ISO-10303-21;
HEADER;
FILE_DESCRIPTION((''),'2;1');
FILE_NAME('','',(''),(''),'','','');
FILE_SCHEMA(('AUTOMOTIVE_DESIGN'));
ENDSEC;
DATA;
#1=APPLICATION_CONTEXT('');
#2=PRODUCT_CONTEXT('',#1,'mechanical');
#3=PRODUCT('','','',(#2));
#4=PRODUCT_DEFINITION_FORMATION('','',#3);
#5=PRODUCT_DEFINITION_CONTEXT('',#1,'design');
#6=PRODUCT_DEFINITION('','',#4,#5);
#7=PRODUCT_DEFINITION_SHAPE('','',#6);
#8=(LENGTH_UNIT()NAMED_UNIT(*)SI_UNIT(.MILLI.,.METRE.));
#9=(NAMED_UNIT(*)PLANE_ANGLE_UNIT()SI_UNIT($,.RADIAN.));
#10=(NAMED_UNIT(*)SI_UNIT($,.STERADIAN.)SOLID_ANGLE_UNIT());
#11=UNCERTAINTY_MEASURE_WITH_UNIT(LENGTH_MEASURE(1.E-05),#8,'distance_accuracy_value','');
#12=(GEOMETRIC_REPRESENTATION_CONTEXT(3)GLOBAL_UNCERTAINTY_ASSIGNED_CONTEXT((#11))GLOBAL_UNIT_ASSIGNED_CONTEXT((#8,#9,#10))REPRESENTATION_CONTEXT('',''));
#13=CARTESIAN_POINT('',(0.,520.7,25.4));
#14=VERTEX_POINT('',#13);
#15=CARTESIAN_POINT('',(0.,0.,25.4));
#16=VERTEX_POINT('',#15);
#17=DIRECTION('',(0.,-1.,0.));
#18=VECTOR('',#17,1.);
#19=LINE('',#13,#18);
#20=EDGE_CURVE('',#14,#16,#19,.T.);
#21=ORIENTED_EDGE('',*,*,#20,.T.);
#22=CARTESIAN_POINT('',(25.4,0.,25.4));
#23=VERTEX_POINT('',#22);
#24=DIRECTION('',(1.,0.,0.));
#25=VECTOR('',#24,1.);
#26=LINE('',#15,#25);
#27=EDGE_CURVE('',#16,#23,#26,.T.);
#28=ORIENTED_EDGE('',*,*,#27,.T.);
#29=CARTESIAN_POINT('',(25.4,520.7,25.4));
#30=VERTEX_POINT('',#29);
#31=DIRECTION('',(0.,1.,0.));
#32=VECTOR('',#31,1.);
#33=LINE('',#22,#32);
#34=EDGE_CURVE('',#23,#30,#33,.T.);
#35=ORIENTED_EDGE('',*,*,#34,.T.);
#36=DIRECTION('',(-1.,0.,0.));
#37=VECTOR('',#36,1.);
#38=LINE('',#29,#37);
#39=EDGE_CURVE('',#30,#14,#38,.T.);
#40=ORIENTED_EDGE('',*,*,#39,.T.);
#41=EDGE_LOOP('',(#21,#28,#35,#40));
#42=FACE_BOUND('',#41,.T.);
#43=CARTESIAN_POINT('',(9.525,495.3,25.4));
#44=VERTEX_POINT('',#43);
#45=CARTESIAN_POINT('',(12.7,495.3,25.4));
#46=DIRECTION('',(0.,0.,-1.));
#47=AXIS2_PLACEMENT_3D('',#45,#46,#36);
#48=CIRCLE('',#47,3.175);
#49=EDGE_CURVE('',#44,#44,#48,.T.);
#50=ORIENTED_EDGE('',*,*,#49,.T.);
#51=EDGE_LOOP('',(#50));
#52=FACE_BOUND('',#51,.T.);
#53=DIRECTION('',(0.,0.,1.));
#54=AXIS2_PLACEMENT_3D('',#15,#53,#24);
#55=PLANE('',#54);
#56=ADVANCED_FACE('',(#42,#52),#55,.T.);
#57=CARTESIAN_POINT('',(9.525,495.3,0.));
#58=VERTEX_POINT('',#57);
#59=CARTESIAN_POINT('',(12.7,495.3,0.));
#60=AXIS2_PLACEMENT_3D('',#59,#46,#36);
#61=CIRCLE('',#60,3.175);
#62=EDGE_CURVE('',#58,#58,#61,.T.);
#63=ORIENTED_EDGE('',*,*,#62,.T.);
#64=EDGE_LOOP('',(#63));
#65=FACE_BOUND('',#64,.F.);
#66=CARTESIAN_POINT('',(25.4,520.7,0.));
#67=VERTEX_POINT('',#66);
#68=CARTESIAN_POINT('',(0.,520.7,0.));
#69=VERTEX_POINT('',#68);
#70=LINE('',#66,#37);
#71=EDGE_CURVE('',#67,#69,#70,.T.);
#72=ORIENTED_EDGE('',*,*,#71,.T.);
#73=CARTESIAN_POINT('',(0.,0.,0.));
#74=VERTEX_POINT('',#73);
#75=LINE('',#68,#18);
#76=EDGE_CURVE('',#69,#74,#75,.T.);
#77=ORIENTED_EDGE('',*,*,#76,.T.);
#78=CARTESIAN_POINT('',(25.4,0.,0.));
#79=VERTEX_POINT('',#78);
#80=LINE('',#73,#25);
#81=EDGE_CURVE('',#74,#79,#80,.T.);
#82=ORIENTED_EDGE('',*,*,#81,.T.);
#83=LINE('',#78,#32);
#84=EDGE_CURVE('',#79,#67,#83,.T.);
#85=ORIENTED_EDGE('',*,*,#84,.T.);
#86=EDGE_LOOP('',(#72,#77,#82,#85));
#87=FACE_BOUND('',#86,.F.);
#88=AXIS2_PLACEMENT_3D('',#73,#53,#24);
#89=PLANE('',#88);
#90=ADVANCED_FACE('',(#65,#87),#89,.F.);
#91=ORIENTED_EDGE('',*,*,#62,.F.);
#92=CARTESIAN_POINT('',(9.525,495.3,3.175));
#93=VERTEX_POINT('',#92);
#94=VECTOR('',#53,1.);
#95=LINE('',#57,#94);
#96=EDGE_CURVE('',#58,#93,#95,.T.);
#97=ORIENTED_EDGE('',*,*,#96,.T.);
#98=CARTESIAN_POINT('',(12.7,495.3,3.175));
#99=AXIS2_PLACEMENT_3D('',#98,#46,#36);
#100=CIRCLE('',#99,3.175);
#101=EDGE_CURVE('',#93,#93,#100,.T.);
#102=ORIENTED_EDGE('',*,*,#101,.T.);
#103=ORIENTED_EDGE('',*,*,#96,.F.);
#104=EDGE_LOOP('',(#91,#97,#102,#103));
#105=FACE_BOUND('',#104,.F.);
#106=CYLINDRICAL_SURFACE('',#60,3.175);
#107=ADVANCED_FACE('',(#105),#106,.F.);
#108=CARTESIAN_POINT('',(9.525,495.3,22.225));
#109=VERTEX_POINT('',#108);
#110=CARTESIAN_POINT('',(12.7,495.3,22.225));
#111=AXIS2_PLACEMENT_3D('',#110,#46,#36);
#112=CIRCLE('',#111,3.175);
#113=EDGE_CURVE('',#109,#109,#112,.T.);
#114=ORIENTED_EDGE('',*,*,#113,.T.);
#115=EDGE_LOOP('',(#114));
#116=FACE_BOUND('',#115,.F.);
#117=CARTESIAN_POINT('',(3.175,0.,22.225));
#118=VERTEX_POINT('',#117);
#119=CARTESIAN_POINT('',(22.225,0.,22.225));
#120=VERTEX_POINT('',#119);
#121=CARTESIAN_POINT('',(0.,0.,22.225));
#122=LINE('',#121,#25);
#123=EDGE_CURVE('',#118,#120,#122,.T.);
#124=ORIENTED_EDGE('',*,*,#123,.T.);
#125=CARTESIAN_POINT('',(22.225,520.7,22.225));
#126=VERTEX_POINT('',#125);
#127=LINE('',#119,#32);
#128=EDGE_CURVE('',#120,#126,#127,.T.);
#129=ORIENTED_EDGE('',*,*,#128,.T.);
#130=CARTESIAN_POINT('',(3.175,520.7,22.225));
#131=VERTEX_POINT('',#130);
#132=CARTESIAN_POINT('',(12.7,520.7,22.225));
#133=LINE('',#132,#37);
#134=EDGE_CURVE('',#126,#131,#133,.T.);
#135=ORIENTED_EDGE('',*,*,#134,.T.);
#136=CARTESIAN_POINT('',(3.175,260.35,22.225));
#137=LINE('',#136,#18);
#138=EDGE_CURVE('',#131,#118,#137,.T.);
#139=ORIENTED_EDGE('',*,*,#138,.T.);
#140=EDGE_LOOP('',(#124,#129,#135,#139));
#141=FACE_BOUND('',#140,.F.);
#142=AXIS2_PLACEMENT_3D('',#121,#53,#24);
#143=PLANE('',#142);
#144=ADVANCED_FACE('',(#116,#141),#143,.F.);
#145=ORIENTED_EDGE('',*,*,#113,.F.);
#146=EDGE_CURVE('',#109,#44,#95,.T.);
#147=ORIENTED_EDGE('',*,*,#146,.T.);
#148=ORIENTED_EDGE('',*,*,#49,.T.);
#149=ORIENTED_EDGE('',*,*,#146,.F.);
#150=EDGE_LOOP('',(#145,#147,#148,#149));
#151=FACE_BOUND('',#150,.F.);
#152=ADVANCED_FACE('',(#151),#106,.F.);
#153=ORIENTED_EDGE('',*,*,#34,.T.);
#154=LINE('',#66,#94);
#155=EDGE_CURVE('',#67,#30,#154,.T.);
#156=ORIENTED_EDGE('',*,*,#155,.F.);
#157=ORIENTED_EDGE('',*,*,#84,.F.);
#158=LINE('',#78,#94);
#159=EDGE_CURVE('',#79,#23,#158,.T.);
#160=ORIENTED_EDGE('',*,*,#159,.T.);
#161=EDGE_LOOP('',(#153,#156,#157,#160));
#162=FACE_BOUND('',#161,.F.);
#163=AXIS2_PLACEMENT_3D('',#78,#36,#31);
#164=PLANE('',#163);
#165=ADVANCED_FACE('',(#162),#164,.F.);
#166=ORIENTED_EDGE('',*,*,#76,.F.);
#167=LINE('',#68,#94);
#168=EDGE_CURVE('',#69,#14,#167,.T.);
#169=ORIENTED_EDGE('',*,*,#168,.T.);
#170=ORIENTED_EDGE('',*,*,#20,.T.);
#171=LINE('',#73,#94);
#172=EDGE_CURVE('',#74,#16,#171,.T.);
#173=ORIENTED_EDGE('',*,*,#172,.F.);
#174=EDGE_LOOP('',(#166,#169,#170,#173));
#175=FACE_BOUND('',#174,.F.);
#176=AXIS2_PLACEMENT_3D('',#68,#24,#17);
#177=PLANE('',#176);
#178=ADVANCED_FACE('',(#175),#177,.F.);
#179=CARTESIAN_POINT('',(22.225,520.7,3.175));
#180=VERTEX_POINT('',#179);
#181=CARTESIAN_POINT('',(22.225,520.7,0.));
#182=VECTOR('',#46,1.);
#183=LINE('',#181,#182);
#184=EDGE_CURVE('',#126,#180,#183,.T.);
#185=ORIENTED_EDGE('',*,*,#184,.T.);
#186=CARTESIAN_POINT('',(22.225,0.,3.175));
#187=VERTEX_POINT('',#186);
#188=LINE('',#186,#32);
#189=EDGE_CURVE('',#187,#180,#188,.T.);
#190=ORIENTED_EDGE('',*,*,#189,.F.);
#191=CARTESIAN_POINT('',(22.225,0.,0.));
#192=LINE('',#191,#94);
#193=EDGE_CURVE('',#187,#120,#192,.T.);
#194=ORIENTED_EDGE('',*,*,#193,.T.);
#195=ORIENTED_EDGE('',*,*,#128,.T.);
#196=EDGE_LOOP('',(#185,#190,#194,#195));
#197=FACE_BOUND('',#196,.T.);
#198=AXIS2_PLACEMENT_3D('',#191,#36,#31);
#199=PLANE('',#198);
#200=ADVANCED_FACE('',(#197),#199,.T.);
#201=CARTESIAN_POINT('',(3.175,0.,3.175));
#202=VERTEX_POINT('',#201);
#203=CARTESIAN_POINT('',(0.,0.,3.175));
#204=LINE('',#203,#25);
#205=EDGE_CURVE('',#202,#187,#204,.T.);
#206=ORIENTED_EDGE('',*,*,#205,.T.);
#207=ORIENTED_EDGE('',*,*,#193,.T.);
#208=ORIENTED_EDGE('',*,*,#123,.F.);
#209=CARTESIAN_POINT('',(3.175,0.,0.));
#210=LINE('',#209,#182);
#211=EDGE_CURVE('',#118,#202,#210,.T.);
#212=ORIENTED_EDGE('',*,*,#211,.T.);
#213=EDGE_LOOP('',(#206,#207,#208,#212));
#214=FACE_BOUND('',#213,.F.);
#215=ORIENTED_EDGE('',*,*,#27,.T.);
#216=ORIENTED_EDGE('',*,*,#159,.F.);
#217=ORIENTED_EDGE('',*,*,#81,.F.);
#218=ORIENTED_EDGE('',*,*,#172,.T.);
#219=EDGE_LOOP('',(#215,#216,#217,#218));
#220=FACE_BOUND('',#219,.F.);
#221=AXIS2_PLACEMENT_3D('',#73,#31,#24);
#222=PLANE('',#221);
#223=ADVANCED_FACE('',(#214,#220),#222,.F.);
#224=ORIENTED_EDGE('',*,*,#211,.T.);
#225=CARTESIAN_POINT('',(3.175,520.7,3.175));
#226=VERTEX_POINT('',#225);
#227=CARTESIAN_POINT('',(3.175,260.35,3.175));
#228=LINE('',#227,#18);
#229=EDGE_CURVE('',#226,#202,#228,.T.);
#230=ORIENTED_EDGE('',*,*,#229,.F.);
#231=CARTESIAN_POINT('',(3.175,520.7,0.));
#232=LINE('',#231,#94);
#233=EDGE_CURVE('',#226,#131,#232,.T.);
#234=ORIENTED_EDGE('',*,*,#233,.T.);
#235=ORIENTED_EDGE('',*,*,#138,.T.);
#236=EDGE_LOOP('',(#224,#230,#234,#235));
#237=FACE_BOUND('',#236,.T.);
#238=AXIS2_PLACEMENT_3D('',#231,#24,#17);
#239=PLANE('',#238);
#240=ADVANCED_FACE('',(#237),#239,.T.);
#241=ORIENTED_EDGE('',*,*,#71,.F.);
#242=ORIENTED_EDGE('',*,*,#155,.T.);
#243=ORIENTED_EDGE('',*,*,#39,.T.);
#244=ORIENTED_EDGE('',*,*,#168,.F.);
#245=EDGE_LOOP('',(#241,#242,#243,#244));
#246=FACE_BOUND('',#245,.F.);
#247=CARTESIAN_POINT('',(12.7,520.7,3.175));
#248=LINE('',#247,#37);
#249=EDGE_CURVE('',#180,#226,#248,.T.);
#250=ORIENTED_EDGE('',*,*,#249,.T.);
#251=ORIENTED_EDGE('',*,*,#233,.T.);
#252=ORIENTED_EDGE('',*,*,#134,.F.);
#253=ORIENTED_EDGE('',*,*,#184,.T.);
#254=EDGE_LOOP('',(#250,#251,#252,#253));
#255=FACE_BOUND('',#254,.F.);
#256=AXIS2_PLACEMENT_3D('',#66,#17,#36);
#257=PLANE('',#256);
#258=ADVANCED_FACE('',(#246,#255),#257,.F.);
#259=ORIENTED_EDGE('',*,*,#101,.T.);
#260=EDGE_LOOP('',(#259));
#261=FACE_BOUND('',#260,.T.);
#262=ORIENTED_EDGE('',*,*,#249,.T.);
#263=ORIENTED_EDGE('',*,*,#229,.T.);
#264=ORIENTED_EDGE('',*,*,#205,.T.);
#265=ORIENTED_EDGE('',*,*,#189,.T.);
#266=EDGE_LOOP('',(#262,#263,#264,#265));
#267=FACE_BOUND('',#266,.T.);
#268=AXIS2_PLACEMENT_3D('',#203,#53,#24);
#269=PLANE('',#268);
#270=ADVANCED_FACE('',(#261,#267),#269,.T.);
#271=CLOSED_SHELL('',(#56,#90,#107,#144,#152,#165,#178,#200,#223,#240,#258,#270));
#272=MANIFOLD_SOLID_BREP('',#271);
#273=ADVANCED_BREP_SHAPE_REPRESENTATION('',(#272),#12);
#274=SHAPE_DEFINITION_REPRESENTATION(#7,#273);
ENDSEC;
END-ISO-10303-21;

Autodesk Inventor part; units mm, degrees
ref_plane "YZ Plane" through (0, 0, 0) normal (1, 0, 0) x (0, 1, 0)
ref_plane "XZ Plane" through (0, 0, 0) normal (0, 1, 0) x (-1, 0, 0)
ref_plane "XY Plane" through (0, 0, 0) normal (0, 0, 1) x (1, 0, 0)
sketch "Sketch1" plane through (0, 0, 0) normal (0, 0, 1) x (1, 0, 0)
  line L0 (0, 0) -> (25.4, 0)
  line L1 (25.4, 0) -> (25.4, 520.7)
  line L2 (25.4, 520.7) -> (0, 520.7)
  line L3 (0, 520.7) -> (0, 0)
  dimension "d0" = 25.4
  dimension "d1" = 520.7
extrude "Extrusion1" add sketch "Sketch1" along normal blind 25.4
shell "Shell1" thickness 3.175 removed faces 2 at (16.9333, 520.7, 8.4667) at (8.4667, 0, 8.4667)
sketch "Sketch2" plane through (0, 0, 0) normal (0, 0, -1) x (-1, 0, 0)
  line L0 (0, 520.7) -> (0, 0) projected
  line L1 (-25.4, 520.7) -> (0, 520.7) projected
  circle A0 centre (-12.7, 495.3) radius 3.175
  dimension "d5" = 12.7
  dimension "d6" = 25.4
  dimension "d7" = 6.35
extrude "Extrusion2" cut sketch "Sketch2" against normal through all
properties part number "CentralColumnInner" material "Aluminum-6061"
